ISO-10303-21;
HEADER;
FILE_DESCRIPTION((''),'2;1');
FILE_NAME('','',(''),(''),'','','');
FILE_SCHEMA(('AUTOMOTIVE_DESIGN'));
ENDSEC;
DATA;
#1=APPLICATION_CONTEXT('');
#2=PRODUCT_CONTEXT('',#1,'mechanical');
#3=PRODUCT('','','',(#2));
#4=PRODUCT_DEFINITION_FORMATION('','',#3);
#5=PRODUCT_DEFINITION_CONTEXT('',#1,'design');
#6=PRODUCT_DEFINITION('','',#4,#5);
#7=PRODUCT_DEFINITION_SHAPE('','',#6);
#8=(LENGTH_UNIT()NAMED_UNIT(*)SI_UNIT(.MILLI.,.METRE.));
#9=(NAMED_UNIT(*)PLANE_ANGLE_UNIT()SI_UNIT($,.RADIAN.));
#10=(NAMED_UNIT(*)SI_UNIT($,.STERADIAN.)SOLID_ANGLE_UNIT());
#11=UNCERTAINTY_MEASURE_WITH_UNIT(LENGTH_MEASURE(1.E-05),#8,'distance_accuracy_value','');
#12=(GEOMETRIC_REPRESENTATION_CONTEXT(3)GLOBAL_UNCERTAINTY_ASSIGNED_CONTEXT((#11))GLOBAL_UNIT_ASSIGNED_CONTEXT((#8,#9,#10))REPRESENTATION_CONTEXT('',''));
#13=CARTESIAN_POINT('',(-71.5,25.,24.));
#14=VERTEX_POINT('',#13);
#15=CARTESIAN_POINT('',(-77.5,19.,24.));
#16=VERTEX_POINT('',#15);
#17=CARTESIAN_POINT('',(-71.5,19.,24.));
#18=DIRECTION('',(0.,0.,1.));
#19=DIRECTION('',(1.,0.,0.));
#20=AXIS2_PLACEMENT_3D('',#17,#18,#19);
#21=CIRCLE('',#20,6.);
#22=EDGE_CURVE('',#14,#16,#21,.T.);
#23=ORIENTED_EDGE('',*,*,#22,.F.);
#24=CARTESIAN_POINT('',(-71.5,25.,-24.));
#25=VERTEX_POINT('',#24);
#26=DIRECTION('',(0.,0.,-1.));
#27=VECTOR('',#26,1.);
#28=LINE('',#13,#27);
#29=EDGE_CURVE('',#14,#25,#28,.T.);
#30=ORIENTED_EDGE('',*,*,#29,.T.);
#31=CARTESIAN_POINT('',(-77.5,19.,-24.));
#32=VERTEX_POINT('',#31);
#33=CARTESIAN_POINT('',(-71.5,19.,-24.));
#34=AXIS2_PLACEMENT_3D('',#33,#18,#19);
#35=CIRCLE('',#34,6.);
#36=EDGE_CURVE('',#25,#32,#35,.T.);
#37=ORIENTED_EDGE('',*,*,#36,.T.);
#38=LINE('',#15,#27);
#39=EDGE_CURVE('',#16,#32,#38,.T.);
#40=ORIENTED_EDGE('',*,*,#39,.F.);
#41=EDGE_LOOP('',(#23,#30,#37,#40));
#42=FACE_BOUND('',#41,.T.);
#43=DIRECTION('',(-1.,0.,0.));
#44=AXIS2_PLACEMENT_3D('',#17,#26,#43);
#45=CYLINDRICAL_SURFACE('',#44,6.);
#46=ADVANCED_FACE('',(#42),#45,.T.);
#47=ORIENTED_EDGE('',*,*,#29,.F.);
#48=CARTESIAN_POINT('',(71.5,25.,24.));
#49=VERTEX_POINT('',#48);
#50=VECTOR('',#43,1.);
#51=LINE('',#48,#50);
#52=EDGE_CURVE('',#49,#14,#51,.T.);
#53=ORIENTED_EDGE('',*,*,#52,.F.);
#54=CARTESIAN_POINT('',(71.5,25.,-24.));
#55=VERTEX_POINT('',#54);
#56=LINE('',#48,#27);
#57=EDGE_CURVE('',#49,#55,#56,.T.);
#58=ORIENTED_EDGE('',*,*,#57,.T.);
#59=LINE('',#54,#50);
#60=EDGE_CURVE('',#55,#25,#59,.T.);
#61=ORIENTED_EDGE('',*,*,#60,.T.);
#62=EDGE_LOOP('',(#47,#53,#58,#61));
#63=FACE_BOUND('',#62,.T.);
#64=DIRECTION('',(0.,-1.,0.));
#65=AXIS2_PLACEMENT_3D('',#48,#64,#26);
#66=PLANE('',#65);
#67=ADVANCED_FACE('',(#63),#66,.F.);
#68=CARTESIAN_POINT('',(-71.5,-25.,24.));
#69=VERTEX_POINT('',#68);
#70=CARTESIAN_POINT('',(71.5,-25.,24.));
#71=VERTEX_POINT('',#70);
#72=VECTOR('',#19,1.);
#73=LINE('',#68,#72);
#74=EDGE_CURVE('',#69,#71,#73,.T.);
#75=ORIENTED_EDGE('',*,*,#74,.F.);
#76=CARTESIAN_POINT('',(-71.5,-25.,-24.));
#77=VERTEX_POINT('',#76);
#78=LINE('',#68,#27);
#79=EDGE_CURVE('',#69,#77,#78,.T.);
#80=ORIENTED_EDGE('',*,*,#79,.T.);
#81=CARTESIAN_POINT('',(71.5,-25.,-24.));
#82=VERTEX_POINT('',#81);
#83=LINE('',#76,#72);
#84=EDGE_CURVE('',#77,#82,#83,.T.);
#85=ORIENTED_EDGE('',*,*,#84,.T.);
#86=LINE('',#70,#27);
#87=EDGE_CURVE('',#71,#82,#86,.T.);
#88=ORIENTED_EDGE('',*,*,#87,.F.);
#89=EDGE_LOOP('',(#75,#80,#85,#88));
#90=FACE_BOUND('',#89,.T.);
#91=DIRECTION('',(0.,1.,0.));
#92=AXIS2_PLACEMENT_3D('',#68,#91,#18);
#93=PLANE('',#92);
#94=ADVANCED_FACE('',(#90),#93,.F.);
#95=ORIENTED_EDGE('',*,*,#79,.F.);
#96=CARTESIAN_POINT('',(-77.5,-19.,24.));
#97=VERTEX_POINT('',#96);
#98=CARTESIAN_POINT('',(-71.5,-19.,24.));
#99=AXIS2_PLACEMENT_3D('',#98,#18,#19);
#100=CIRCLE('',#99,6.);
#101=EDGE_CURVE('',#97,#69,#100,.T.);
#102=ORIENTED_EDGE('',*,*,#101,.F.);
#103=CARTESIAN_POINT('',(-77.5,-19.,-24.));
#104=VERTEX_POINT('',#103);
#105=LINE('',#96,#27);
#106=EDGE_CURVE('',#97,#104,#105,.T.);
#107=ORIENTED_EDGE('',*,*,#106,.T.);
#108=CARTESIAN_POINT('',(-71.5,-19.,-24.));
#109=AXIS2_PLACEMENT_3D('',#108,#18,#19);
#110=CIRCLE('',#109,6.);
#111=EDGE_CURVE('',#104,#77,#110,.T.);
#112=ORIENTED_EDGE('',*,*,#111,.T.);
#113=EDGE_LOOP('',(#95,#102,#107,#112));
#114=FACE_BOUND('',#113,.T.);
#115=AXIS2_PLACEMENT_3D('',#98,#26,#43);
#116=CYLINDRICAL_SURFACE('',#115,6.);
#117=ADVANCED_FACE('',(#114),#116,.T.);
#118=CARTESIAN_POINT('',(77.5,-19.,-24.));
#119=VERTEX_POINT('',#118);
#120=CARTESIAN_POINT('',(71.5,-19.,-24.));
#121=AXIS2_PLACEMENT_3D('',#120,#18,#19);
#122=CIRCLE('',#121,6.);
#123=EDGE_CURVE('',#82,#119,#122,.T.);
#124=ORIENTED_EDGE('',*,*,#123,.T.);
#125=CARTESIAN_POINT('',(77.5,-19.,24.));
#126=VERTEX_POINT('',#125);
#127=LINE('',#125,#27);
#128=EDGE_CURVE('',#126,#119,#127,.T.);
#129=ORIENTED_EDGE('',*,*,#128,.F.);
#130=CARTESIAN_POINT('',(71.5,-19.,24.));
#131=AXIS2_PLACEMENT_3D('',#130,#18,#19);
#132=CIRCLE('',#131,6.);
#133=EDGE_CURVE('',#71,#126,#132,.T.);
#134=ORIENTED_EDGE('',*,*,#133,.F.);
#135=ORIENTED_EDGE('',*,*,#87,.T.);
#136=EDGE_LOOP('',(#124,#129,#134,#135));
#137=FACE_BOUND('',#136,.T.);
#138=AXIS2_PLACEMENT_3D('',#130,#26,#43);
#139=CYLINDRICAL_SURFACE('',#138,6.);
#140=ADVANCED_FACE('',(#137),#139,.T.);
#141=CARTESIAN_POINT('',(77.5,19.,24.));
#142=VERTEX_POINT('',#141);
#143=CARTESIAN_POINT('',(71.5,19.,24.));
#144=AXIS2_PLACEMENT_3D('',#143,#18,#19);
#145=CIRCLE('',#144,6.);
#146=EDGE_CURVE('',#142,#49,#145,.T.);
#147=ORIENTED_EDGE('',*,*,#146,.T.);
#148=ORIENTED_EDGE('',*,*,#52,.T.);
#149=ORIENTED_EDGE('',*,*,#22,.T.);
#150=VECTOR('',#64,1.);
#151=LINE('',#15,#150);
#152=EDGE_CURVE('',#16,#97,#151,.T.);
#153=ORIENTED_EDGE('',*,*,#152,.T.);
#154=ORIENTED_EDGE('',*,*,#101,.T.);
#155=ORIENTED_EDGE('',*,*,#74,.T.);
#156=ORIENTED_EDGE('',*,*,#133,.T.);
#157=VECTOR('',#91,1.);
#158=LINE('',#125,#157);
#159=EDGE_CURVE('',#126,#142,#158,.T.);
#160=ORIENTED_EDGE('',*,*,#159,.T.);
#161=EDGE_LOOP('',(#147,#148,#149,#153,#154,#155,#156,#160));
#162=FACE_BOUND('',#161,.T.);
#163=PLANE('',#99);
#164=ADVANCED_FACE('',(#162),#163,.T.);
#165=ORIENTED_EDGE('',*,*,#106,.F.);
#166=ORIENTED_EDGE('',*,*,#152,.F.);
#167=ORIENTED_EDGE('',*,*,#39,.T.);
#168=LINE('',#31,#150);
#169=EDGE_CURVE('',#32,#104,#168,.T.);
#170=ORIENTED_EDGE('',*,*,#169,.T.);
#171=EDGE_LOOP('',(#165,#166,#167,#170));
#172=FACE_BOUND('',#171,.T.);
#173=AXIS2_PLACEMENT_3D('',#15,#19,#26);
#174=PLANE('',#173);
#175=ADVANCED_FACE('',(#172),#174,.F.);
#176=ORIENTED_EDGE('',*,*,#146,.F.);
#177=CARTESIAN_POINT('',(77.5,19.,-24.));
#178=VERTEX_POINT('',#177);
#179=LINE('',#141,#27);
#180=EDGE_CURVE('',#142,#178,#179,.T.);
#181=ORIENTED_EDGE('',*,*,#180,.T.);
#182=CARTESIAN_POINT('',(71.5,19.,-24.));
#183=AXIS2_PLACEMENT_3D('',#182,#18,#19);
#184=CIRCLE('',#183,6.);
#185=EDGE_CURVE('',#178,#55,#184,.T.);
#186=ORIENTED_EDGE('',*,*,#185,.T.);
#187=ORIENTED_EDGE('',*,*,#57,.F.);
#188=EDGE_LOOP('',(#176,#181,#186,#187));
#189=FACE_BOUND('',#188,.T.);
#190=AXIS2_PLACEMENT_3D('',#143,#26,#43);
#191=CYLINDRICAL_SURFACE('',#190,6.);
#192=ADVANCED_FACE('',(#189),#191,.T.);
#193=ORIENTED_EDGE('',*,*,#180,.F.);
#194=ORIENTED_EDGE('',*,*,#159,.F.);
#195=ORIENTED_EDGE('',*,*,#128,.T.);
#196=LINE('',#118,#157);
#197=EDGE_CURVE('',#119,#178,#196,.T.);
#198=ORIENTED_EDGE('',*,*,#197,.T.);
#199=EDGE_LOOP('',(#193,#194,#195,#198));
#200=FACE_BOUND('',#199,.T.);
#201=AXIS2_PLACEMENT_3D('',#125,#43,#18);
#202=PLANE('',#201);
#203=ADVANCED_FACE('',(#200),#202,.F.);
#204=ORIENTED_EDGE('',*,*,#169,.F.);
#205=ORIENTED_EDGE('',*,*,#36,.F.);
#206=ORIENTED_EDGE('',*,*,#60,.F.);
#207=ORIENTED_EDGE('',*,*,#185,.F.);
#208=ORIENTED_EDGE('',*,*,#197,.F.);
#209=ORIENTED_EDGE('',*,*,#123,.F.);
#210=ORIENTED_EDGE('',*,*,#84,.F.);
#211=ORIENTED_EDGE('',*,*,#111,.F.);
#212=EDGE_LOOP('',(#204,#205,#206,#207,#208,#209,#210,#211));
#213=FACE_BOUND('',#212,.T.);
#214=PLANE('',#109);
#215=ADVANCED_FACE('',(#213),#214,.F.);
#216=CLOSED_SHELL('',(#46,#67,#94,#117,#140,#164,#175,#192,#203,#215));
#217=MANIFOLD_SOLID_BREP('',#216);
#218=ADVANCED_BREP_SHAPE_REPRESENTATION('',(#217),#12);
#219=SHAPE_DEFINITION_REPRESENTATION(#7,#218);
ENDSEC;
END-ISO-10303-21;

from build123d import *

# Parameters (mm, degrees)
BOSS_EXTRUDE1_DEPTH = 24


with BuildPart() as part:
    # Sketch1 → Boss-Extrude1 (new, symmetric)
    with BuildSketch(Plane.XY):
        with BuildLine():
            Line((-71.5, -25), (71.5, -25))
            ThreePointArc((71.5, -25), (75.742640687, -23.242640687), (77.5, -19))
            Line((77.5, -19), (77.5, 19))
            ThreePointArc((77.5, 19), (75.742640687, 23.242640687), (71.5, 25))
            Line((71.5, 25), (-71.5, 25))
            ThreePointArc((-71.5, 25), (-75.742640687, 23.242640687), (-77.5, 19))
            Line((-77.5, 19), (-77.5, -19))
            ThreePointArc((-77.5, -19), (-75.742640687, -23.242640687), (-71.5, -25))
        make_face()
    extrude(amount=BOSS_EXTRUDE1_DEPTH, both=True)


solid = part.part
